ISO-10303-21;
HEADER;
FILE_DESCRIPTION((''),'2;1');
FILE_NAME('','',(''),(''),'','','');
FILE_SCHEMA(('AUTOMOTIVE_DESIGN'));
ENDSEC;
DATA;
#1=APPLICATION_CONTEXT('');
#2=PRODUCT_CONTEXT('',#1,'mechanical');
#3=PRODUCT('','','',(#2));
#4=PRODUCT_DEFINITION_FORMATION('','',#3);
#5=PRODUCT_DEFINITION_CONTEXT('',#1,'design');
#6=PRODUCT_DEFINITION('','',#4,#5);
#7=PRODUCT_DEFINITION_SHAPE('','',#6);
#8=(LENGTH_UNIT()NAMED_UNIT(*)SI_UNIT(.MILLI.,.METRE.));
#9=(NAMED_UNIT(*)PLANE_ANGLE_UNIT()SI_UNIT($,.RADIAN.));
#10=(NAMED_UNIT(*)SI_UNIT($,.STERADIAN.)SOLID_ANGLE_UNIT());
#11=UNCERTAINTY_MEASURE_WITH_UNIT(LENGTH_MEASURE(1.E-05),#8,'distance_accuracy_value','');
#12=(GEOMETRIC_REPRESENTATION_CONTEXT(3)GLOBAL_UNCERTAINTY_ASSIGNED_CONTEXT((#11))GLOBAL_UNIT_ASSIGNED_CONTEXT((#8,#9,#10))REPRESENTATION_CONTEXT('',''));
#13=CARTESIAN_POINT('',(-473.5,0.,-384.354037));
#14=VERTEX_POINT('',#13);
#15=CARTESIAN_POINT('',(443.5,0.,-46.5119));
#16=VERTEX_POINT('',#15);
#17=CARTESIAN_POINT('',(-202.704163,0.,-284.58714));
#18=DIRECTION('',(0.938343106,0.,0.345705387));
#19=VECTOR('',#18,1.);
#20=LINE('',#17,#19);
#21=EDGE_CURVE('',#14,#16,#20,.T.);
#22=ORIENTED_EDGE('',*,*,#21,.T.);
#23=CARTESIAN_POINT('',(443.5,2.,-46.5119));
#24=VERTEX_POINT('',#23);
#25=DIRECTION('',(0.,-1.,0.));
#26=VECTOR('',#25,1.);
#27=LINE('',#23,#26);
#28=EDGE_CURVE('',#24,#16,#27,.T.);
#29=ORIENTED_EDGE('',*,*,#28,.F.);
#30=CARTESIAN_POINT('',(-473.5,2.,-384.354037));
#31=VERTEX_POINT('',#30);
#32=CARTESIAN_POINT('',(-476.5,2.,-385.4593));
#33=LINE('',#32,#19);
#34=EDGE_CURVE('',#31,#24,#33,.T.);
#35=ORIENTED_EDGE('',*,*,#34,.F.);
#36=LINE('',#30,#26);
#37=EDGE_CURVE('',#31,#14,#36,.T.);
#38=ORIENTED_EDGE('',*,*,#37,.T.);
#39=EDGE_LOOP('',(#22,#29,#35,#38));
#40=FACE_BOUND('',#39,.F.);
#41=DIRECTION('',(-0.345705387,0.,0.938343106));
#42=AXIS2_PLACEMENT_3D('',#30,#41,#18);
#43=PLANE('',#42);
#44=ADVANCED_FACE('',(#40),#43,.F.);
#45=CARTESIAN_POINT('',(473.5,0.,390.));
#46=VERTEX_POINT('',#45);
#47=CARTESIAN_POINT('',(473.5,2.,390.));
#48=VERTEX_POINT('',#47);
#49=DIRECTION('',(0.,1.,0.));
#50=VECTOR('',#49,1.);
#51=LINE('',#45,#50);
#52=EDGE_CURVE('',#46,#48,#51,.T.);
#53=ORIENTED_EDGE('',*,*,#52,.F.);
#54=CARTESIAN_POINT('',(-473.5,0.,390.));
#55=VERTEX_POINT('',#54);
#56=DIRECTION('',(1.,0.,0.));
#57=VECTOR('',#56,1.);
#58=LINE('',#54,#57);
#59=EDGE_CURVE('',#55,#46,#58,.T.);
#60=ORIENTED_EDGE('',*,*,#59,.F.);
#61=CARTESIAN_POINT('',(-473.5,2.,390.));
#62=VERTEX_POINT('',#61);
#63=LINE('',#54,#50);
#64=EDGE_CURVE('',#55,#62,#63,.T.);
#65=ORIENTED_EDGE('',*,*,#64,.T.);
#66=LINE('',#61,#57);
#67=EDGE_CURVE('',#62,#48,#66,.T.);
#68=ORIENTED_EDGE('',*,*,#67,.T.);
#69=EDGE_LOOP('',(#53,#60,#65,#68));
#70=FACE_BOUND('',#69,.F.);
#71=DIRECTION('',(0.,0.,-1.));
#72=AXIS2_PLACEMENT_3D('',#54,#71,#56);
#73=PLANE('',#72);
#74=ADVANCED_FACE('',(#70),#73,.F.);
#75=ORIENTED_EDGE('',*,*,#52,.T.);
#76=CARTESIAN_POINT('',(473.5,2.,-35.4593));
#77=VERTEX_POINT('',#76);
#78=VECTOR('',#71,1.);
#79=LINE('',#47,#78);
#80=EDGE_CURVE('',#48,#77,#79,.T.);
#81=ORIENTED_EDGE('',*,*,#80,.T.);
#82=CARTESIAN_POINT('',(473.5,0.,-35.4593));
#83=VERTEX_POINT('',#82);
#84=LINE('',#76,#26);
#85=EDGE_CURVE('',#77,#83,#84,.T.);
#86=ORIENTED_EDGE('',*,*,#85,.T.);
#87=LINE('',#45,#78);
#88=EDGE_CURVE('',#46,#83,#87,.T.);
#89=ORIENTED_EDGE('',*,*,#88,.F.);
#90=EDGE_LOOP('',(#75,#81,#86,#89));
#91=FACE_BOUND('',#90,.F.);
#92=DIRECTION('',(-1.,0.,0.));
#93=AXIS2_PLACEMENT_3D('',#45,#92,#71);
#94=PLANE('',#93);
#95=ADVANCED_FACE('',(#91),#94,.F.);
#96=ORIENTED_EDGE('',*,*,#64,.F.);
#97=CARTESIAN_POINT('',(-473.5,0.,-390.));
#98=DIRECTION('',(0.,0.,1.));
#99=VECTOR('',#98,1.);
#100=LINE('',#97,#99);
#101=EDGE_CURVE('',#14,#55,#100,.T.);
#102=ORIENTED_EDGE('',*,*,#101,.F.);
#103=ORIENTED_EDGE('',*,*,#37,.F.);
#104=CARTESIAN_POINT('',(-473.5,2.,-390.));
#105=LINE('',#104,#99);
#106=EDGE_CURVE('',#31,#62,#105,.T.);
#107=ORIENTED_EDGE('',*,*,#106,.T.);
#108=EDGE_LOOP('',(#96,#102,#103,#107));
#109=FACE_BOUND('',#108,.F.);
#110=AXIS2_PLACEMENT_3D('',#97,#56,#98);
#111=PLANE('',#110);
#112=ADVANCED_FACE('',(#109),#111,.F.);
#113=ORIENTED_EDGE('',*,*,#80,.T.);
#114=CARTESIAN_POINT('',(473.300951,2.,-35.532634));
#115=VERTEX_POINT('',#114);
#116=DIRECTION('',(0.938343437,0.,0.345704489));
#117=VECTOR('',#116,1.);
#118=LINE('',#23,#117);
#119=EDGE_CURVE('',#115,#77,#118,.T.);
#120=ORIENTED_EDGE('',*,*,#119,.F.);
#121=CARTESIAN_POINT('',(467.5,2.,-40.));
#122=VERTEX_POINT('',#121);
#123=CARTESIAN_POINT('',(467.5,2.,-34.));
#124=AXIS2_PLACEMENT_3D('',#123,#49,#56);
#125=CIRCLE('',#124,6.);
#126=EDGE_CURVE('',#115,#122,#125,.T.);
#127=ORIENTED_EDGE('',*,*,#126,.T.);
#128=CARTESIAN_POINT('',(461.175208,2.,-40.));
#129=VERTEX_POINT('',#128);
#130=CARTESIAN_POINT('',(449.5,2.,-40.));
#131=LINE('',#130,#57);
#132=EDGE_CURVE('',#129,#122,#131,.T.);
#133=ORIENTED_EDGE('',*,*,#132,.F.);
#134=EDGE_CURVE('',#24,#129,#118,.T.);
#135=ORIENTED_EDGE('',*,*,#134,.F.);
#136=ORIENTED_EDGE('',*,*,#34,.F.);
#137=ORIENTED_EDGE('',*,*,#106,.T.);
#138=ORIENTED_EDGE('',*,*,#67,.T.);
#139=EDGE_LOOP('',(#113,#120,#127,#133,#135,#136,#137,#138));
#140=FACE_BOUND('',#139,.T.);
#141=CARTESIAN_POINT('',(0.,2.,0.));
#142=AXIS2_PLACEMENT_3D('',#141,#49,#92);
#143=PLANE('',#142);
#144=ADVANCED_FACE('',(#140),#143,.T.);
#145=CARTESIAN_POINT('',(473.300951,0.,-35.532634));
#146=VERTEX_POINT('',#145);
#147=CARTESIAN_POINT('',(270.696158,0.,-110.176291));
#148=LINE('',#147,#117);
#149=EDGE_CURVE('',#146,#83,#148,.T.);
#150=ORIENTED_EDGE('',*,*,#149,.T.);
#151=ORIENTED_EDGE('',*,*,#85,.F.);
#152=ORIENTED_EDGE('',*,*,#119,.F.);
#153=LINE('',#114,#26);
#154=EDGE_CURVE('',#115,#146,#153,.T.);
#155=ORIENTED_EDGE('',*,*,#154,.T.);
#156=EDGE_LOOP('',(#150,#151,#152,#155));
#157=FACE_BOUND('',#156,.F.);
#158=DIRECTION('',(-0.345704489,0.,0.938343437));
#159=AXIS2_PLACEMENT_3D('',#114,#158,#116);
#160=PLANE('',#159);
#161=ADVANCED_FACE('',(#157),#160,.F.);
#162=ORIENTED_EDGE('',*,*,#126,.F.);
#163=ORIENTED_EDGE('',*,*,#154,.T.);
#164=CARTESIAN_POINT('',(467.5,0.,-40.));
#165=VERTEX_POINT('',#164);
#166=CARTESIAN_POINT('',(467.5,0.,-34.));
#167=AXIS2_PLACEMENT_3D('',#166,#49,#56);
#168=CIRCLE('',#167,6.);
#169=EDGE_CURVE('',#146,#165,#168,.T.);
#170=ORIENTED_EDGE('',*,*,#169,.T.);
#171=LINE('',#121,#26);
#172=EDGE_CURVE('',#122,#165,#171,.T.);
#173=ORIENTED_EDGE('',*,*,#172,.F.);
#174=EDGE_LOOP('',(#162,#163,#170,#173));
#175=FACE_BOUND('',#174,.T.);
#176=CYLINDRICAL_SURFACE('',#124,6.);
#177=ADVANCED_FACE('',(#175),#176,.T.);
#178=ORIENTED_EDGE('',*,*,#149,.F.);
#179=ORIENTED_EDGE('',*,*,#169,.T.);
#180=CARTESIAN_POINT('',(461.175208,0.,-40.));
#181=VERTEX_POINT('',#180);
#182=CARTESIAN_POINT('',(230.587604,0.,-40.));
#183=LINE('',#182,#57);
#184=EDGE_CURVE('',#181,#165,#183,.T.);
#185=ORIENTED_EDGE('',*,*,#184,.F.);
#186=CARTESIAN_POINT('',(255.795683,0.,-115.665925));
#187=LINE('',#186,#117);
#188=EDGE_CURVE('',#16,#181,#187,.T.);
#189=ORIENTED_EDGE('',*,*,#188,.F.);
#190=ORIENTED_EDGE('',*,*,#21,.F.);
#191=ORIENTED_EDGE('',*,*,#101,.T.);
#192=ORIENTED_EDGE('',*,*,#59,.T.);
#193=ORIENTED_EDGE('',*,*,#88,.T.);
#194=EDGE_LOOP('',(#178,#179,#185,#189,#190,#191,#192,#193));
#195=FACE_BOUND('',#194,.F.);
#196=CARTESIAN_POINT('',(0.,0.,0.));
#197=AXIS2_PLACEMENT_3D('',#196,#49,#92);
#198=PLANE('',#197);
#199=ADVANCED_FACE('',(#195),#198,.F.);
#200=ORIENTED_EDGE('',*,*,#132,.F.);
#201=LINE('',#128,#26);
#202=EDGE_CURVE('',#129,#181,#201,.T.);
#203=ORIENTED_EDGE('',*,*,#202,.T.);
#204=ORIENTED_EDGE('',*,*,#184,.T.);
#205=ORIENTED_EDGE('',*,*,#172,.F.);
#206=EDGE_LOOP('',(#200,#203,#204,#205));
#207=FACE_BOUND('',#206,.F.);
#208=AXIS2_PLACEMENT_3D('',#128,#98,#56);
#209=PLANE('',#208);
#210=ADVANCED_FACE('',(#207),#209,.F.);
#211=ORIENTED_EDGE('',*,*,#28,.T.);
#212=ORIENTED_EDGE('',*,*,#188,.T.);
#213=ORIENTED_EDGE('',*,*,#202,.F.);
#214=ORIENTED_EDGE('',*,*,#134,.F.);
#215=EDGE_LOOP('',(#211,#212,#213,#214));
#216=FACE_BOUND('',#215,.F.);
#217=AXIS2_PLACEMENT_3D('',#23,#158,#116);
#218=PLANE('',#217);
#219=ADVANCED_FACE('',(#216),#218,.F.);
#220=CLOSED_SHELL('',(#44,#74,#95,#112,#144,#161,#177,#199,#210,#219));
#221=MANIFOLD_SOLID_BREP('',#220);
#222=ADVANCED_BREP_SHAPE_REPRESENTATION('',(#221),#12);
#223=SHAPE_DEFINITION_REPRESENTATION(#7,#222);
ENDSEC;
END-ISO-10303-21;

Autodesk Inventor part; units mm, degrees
ref_plane "YZ Plane" through (0, 0, 0) normal (1, 0, 0) x (0, 1, 0)
ref_plane "XZ Plane" through (0, 0, 0) normal (0, 1, 0) x (-1, 0, 0)
ref_plane "XY Plane" through (0, 0, 0) normal (0, 0, 1) x (1, 0, 0)
sketch "Sketch1" plane through (0, 0, 0) normal (0, 1, 0) x (-1, 0, 0)
  line L0 (473.5, 390) -> (-473.5, 390)
  line L1 (-473.5, 390) -> (-473.5, -390)
  line L2 (-473.5, -390) -> (473.5, -390)
  line L3 (473.5, -390) -> (473.5, 390)
  line L4 (473.5, 390) -> (-473.5, -390) construction
  line L5 (-473.5, 390) -> (473.5, -390) construction
  point P0 (0, 0)
  dimension "d0" = 780
  dimension "d1" = 947
extrude "Plate1" add sketch "Sketch1" along normal blind 2
sketch "Sketch2" plane through (0, 2, 0) normal (0, 1, 0) x (1, 0, 0)
  line L0 (-476.5, 385.4593) -> (443.5, 46.5119) projected
  line L1 (449.5, 40) -> (467.5, 40) projected
  arc A0 (473.5, 34) -> (467.5, 40) centre (467.5, 34) ccw projected
  line L2 (449.5, 40) -> (443.5, 46.5119)
  line L3 (473.5, -390) -> (-473.5, -390) projected
  line L4 (473.5, 390) -> (473.5, -390) projected
  line L5 (-473.5, 390) -> (473.5, 390) projected
  line L6 (-473.5, -390) -> (-473.5, 390) projected
  line L7 (443.5, 46.5119) -> (473.5, 35.4593)
  point P0 (0, 0)
  point P1 (-473.5, 384.354)
  point P2 (461.1753, 40)
  point P3 (473.3009, 35.5326)
extrude "Extrusion1" cut sketch "Sketch2" against normal blind 10 contours L6 L5 L4 L7 A0 L1 L0
equation "\"d2\" = Thickness"
equation "\"BendRadius\" = Thickness"
equation "\"BendReliefWidth\" = Thickness"
equation "\"BendReliefDepth\" = 0.5 * Thickness"
equation "\"CornerReliefSize\" = 4 * Thickness"
equation "\"MinimumRemnant\" = 2 * Thickness"
equation "\"TransitionRadius\" = BendRadius"
equation "\"JacobiRadiusSize\" = BendRadius"
equation "\"GapSize\" = Thickness"
equation "\"Thickness\" = 2"
properties part number "side sheet"
